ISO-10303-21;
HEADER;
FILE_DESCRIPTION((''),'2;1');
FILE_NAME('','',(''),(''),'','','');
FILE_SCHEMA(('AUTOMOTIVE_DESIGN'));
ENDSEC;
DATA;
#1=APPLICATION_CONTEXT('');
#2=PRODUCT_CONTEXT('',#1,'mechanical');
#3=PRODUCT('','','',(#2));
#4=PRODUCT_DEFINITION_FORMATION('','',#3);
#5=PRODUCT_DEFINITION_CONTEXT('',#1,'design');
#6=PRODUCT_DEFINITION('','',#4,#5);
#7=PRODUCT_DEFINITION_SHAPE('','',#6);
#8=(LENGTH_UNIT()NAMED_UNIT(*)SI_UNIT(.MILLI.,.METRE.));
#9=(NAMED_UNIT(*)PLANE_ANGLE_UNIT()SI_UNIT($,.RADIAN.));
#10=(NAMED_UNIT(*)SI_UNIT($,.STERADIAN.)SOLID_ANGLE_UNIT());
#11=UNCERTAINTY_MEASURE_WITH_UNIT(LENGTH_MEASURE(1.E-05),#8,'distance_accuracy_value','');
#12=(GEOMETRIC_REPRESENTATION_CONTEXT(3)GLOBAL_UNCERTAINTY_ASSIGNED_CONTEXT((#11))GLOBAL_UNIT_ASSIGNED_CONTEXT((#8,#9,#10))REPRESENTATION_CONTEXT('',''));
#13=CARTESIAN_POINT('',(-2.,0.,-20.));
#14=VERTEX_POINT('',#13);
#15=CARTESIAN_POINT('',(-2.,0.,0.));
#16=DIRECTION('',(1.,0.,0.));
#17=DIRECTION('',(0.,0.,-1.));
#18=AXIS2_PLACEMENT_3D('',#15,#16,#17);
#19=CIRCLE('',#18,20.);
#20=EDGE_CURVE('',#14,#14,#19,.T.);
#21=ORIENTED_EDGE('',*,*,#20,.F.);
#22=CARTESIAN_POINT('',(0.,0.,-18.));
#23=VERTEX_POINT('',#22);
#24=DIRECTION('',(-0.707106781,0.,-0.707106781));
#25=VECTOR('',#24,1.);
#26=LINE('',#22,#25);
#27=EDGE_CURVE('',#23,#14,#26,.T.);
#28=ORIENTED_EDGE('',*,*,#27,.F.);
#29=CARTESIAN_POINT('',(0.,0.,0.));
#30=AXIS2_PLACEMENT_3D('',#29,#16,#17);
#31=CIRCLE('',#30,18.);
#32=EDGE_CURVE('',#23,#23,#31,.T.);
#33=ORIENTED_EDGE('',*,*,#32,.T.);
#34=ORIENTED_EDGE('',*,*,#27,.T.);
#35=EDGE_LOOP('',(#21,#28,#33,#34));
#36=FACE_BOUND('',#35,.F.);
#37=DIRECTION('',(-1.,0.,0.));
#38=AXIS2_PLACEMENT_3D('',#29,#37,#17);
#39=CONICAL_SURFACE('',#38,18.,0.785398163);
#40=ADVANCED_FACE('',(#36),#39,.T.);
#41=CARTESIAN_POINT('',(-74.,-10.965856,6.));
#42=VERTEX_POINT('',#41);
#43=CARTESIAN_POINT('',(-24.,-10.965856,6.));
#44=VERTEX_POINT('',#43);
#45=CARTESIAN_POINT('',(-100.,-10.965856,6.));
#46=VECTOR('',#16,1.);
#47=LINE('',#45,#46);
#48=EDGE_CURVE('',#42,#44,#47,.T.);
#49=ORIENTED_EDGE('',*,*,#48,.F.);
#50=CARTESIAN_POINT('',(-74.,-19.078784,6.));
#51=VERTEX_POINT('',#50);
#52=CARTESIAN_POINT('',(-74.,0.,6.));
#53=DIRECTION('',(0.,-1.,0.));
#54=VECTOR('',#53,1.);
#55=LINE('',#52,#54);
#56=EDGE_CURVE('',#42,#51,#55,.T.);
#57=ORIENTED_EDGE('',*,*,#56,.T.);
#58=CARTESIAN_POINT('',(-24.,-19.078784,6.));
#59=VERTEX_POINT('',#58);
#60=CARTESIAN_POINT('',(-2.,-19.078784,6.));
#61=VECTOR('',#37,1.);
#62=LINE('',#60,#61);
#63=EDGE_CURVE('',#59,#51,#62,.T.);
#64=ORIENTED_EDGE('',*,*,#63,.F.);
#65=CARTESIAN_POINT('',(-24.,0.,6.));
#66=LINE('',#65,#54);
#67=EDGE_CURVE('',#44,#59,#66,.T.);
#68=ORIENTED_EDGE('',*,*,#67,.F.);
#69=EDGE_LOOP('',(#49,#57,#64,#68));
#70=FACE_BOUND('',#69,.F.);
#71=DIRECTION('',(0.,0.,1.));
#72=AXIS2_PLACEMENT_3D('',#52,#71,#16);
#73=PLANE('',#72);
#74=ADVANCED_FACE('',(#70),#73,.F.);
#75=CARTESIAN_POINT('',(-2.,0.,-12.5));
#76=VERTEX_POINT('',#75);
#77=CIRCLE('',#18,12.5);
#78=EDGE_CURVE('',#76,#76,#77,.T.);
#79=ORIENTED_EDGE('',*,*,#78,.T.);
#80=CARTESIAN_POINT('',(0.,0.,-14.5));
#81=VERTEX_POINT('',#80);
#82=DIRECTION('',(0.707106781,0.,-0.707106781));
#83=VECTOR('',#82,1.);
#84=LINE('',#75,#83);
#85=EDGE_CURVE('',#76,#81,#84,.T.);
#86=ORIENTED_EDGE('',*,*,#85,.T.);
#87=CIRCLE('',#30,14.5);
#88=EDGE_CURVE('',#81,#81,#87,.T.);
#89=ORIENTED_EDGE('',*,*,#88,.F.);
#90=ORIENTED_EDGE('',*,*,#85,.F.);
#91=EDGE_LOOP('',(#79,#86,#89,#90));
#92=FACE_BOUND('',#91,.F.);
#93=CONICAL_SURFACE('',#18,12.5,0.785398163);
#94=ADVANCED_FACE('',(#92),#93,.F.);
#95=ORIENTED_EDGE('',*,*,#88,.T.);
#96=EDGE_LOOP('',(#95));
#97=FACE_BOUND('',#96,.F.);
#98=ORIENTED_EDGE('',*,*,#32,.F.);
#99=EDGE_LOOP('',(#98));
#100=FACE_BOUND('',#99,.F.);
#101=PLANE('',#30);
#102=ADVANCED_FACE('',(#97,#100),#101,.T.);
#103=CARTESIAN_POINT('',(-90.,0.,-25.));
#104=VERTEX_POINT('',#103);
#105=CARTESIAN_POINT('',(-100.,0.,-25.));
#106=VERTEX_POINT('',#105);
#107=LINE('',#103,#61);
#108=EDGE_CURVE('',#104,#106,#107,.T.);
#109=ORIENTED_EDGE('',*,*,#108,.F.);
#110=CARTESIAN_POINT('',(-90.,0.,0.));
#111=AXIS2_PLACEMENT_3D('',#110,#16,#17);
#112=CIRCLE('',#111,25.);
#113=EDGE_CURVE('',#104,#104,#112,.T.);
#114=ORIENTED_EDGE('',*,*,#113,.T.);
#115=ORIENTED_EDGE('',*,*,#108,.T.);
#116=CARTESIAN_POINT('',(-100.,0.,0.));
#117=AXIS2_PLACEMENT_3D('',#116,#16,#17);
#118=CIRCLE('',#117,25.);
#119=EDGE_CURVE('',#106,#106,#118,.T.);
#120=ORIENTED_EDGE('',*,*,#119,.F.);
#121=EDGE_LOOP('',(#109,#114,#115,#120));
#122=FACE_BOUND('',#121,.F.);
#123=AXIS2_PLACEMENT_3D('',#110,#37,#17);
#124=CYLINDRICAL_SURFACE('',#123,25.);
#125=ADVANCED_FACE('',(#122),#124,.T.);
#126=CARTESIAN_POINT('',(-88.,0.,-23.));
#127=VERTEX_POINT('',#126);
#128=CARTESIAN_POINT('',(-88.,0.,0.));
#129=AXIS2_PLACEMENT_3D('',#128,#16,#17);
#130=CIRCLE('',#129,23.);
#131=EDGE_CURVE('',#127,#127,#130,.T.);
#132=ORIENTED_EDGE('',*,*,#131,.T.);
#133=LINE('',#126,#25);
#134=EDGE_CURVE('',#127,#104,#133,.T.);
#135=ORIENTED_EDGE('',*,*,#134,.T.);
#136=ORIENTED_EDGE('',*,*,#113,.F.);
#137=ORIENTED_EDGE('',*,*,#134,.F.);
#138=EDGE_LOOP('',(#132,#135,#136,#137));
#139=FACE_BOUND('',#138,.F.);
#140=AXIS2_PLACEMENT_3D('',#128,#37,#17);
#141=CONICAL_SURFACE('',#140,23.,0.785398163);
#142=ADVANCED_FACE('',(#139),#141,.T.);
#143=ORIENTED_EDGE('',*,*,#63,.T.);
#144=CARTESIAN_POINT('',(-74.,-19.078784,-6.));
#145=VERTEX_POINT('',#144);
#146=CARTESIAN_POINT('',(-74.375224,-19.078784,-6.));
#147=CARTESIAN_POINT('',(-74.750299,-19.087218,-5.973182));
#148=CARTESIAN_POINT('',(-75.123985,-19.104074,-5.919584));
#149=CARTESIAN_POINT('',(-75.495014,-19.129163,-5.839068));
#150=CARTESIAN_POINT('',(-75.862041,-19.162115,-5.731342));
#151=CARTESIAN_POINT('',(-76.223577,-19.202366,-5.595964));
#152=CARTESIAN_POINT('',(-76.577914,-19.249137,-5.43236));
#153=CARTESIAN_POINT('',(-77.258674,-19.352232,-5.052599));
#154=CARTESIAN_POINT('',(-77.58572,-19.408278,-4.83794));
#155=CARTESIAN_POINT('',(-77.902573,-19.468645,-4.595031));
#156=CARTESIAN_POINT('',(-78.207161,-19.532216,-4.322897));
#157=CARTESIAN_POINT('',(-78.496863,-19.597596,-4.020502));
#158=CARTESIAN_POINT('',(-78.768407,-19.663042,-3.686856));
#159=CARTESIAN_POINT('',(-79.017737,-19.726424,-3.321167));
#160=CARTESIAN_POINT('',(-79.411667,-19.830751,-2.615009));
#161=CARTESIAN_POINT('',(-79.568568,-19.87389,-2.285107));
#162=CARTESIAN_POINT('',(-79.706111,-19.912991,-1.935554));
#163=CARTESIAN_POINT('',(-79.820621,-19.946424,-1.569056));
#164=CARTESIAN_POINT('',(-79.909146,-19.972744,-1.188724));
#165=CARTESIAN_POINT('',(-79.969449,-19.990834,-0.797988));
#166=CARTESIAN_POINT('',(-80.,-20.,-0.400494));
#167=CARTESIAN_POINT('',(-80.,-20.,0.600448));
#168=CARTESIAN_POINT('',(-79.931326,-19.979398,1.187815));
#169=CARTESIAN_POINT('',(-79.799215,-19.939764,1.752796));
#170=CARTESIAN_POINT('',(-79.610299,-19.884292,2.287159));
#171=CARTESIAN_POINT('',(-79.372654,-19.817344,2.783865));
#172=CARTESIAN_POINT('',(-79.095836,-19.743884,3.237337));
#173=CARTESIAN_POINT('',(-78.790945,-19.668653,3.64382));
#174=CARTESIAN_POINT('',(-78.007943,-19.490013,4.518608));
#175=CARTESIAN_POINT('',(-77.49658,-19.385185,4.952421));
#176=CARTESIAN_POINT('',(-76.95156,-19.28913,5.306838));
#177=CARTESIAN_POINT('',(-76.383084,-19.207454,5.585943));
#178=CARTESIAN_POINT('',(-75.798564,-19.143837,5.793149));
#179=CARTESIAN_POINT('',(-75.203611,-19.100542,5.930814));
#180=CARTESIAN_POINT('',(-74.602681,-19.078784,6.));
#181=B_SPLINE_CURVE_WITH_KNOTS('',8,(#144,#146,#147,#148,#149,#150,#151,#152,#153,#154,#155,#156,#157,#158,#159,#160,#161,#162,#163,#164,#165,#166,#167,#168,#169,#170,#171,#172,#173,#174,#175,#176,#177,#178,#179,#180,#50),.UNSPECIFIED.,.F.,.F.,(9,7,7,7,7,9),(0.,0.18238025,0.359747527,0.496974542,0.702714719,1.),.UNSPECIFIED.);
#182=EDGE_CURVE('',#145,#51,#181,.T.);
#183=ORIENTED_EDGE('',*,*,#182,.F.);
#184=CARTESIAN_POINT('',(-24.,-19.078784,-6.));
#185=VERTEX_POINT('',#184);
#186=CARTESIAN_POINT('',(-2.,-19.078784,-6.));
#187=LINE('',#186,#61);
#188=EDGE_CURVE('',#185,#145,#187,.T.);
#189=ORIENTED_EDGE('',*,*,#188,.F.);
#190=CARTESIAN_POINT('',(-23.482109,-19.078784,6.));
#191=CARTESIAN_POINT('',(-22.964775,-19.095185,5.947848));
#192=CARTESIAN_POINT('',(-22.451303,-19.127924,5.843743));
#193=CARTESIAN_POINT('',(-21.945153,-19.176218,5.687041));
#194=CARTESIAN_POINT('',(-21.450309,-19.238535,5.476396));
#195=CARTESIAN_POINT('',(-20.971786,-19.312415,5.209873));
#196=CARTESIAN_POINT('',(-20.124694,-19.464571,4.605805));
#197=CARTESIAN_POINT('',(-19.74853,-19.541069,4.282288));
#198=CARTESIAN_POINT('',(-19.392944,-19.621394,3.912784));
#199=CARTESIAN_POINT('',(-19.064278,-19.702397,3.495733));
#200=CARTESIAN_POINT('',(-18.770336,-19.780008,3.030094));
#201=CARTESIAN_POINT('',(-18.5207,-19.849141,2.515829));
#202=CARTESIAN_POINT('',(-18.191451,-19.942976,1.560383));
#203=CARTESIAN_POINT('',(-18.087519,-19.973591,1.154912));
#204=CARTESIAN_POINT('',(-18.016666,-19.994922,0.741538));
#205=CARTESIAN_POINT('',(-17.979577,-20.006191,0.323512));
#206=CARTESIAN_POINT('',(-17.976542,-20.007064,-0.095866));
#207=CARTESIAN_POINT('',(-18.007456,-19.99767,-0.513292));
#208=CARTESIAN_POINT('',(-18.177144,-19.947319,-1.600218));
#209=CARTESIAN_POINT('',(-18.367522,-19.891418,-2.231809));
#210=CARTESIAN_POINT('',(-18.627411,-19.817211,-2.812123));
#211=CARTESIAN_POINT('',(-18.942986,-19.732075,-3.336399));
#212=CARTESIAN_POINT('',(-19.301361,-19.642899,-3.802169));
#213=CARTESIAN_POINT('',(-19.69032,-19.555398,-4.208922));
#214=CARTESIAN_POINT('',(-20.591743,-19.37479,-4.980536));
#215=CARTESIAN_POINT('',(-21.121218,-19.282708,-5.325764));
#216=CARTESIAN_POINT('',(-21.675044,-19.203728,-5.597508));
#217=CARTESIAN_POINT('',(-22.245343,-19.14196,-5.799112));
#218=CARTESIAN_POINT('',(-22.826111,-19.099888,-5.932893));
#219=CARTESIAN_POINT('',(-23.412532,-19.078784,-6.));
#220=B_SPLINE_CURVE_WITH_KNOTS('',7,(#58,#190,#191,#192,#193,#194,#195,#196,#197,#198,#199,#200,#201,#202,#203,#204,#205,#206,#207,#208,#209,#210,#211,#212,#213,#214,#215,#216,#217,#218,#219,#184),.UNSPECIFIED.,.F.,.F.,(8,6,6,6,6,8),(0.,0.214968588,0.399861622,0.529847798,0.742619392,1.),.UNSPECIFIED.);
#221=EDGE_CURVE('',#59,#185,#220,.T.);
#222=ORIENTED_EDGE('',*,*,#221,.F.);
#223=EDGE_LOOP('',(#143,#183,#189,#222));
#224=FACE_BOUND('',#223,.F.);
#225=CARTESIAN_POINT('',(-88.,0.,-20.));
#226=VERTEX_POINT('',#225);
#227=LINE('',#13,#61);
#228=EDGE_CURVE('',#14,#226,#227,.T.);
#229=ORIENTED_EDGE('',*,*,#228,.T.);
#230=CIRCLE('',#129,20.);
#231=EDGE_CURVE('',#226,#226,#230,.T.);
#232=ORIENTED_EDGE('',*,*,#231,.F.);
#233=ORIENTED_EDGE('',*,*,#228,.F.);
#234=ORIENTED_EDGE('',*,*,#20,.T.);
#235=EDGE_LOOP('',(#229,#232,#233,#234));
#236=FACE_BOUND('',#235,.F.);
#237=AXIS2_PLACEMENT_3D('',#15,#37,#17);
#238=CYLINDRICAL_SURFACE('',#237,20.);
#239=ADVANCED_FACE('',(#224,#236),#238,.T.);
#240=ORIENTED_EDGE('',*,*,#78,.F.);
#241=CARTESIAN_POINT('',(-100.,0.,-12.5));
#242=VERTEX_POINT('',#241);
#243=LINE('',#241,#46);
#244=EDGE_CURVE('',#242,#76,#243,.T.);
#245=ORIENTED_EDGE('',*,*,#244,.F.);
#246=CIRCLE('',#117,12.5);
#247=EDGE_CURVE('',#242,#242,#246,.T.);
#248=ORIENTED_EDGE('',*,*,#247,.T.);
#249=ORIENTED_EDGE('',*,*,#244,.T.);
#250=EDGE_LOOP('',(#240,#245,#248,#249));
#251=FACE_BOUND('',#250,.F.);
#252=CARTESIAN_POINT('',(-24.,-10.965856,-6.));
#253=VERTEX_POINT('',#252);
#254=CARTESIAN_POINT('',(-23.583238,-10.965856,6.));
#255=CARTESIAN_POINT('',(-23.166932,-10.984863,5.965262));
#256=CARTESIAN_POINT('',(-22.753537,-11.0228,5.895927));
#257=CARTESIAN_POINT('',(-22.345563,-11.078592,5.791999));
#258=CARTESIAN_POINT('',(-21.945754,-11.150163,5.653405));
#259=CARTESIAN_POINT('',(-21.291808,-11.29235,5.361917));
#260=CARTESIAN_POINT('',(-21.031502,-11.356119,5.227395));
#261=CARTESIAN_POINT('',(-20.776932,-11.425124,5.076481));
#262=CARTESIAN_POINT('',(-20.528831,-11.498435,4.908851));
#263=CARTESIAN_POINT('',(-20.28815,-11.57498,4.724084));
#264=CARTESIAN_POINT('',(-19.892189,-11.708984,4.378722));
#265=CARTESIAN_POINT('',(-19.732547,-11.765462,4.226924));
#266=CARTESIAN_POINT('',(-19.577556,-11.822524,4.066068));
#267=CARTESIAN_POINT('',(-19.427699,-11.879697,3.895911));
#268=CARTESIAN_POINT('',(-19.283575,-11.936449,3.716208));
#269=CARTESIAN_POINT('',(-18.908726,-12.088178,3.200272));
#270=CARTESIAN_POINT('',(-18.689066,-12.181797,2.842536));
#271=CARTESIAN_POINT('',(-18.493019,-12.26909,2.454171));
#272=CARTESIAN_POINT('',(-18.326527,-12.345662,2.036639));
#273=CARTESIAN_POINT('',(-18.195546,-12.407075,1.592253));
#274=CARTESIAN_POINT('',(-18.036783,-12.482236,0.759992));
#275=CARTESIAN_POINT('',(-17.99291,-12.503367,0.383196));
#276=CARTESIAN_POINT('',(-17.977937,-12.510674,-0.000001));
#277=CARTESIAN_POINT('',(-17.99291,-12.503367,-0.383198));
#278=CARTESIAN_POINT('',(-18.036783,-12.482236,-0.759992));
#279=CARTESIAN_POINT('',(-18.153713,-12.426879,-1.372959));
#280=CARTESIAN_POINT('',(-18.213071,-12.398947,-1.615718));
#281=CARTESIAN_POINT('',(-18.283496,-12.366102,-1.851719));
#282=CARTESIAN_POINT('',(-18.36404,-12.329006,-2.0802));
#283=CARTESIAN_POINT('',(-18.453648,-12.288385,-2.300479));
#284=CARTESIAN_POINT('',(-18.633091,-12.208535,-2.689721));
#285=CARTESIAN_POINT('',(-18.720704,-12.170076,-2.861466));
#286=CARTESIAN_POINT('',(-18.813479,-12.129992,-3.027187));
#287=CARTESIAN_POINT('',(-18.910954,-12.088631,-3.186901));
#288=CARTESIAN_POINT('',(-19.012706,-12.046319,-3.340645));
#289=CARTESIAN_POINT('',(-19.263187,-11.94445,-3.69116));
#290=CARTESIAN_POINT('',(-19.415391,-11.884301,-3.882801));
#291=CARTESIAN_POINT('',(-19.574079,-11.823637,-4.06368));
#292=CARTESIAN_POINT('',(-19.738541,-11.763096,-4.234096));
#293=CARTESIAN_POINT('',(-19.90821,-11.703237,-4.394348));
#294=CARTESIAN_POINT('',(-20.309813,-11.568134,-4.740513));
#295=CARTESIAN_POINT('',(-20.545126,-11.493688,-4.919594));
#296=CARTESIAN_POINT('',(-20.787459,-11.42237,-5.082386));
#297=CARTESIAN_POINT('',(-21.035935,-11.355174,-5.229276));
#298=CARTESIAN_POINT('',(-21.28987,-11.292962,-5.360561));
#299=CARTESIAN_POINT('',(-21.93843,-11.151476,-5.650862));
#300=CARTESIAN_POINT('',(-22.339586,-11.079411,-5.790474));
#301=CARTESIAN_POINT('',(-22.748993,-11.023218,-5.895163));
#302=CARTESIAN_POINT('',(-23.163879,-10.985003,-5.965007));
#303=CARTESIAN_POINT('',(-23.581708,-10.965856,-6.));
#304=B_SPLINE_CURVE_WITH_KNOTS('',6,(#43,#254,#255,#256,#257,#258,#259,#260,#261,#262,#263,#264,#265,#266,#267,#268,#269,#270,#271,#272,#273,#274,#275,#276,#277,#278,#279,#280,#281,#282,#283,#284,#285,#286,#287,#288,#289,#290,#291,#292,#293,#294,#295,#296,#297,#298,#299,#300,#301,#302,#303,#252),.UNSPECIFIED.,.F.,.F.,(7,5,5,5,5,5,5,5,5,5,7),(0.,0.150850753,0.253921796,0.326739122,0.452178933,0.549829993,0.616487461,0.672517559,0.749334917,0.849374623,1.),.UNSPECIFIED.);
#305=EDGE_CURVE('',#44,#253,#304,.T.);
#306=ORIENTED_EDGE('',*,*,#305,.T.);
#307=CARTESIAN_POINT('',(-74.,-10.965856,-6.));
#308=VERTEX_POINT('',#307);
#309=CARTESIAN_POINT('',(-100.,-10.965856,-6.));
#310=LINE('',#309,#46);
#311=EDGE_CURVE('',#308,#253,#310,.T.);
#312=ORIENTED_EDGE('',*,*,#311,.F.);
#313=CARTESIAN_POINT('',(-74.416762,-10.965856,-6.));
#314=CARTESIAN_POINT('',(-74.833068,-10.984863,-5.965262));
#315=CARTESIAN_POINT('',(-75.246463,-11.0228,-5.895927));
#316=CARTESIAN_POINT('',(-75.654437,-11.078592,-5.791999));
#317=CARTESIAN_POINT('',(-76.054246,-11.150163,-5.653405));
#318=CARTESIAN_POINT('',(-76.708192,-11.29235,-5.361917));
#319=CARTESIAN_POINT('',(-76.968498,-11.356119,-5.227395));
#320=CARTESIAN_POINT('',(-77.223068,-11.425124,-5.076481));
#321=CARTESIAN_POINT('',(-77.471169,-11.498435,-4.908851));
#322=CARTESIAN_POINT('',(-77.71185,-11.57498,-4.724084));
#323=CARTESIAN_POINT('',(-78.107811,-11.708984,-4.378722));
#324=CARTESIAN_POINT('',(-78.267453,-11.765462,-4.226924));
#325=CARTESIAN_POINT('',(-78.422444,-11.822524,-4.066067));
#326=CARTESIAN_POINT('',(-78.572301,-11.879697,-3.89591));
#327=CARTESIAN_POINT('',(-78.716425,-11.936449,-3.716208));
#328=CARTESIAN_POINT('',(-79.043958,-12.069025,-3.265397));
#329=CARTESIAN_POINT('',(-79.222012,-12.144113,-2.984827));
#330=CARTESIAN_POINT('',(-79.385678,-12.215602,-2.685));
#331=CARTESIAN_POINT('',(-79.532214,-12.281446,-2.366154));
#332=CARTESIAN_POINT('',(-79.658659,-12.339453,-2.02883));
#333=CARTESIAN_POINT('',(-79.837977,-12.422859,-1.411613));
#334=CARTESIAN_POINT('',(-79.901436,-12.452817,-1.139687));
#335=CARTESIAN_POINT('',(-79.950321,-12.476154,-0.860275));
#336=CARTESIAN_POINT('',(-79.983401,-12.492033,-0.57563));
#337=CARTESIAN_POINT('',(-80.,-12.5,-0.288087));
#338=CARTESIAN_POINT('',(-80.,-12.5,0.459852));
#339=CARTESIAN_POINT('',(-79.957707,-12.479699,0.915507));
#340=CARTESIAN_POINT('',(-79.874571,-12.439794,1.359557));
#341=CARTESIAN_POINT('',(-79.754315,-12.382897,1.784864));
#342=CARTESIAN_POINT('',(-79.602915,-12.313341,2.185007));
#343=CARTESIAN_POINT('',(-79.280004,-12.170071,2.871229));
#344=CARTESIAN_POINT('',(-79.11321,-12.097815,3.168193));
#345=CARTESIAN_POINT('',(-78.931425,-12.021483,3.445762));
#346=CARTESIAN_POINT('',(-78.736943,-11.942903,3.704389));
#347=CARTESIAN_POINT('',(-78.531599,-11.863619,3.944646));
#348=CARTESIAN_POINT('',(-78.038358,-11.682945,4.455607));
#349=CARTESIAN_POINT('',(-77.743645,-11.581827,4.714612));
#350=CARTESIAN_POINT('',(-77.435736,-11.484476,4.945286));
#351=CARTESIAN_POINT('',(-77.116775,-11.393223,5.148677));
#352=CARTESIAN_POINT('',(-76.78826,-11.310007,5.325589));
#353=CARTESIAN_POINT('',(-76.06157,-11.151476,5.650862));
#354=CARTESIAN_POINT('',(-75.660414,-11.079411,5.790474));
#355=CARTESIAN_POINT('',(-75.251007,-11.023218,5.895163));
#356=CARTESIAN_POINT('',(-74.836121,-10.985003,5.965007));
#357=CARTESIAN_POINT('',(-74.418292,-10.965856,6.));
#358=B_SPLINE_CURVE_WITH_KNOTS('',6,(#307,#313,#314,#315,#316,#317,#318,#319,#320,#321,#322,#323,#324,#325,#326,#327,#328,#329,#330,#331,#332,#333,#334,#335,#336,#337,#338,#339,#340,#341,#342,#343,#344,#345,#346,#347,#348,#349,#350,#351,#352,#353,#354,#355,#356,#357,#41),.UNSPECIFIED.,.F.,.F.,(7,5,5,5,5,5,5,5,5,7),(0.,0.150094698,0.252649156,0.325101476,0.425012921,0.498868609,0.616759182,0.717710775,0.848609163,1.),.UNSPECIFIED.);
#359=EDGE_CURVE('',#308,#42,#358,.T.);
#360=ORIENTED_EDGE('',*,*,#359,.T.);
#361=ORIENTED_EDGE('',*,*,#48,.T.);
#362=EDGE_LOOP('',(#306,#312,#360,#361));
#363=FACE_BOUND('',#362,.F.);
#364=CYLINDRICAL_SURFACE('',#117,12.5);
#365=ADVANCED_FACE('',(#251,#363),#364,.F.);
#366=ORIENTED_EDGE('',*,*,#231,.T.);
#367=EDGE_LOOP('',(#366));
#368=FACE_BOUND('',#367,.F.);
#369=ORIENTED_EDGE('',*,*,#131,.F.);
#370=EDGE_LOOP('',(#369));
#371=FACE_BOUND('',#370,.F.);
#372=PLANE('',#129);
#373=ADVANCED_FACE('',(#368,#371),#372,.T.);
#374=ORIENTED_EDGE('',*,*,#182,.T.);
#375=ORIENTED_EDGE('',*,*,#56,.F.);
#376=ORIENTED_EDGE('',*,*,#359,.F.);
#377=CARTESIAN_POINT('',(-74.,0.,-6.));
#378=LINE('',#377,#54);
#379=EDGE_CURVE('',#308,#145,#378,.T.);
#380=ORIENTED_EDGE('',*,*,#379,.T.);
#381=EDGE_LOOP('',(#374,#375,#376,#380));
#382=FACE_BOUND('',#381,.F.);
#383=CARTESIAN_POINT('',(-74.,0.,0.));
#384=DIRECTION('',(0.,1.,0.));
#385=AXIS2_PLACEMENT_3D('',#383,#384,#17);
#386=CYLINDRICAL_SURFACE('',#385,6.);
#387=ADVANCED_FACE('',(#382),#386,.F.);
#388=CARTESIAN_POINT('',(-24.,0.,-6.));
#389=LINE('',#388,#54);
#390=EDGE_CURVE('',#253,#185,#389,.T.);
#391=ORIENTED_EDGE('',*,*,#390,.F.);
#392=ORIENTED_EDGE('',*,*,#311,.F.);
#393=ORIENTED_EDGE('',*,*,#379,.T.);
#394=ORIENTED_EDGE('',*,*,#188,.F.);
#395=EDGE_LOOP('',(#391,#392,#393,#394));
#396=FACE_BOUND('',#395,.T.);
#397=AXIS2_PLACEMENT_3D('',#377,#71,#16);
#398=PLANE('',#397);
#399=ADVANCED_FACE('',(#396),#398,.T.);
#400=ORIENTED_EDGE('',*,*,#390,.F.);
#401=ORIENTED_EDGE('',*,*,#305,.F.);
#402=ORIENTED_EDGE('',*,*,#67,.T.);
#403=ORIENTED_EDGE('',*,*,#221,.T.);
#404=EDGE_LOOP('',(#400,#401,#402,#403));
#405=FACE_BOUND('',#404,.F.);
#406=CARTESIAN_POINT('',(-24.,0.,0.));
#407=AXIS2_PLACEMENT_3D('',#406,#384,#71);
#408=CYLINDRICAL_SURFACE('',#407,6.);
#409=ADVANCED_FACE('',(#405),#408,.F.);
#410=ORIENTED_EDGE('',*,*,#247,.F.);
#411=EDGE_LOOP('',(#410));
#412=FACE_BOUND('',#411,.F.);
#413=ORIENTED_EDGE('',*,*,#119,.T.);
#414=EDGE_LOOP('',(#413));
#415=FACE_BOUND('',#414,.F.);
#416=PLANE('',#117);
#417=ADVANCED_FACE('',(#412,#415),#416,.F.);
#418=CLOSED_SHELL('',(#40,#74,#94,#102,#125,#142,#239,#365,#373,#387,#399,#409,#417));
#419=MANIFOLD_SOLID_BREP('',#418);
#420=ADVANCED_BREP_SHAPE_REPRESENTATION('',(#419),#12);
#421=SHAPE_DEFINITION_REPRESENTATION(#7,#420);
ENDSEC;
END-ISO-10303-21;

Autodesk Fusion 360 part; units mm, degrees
sketch "Sketch1" plane through (0, 0, 0) normal (0, 1, 0) x (1, 0, 0)
  line L0 (-100, 12.5) -> (-2, 12.5)
  line L1 (-2, 12.5) -> (0, 14.5)
  line L2 (0, 14.5) -> (0, 18)
  line L3 (0, 18) -> (-2, 20)
  line L4 (-2, 20) -> (-88, 20)
  line L5 (-88, 20) -> (-88, 23)
  line L6 (-88, 23) -> (-90, 25)
  line L7 (-90, 25) -> (-100, 25)
  line L8 (-100, 25) -> (-100, 12.5)
  line L9 (0, 0) -> (-74, 0) construction
  line L10 (-74, -6) -> (-24, -6)
  line L11 (-74, 6) -> (-24, 6)
  arc A0 (-74, 6) -> (-74, -6) centre (-74, 0) ccw
  arc A1 (-24, -6) -> (-24, 6) centre (-24, 0) ccw
  dimension "d1" = 88
  dimension "d2" = 100
  dimension "d3" = 135
  dimension "d4" = 25
  dimension "d5" = 20
  dimension "d6" = 100
  dimension "d7" = 14.5
  dimension "d8" = 135
  dimension "d9" = 45
  dimension "d10" = 2
  dimension "d11" = 2
  dimension "d12" = 90
  dimension "d13" = 12
  dimension "d15" = 12
  dimension "d16" = 24
  dimension "d17" = 74
revolve "Revolve1" add sketch "Sketch1" angle 360 about axis through (1.75, 0, 0) along (1, 0, 0) contours L0 L1 L2 L3 L4 L5 L6 L7 L8
extrude "Extrude1" cut sketch "Sketch1" against normal through all contours L10 L11 A0 A1
equation "d3 = 180 deg - 45 deg"
equation "d4 = ( 50 / 2 ) * 1 mm"
equation "d5 = ( 40 / 2 ) * 1 mm"
equation "d6 = d2"
equation "d7 = ( 29 / 2 ) * 1 mm"
equation "d12 = d1 + 2 mm"
equation "d17 = d16 + 50 mm"
